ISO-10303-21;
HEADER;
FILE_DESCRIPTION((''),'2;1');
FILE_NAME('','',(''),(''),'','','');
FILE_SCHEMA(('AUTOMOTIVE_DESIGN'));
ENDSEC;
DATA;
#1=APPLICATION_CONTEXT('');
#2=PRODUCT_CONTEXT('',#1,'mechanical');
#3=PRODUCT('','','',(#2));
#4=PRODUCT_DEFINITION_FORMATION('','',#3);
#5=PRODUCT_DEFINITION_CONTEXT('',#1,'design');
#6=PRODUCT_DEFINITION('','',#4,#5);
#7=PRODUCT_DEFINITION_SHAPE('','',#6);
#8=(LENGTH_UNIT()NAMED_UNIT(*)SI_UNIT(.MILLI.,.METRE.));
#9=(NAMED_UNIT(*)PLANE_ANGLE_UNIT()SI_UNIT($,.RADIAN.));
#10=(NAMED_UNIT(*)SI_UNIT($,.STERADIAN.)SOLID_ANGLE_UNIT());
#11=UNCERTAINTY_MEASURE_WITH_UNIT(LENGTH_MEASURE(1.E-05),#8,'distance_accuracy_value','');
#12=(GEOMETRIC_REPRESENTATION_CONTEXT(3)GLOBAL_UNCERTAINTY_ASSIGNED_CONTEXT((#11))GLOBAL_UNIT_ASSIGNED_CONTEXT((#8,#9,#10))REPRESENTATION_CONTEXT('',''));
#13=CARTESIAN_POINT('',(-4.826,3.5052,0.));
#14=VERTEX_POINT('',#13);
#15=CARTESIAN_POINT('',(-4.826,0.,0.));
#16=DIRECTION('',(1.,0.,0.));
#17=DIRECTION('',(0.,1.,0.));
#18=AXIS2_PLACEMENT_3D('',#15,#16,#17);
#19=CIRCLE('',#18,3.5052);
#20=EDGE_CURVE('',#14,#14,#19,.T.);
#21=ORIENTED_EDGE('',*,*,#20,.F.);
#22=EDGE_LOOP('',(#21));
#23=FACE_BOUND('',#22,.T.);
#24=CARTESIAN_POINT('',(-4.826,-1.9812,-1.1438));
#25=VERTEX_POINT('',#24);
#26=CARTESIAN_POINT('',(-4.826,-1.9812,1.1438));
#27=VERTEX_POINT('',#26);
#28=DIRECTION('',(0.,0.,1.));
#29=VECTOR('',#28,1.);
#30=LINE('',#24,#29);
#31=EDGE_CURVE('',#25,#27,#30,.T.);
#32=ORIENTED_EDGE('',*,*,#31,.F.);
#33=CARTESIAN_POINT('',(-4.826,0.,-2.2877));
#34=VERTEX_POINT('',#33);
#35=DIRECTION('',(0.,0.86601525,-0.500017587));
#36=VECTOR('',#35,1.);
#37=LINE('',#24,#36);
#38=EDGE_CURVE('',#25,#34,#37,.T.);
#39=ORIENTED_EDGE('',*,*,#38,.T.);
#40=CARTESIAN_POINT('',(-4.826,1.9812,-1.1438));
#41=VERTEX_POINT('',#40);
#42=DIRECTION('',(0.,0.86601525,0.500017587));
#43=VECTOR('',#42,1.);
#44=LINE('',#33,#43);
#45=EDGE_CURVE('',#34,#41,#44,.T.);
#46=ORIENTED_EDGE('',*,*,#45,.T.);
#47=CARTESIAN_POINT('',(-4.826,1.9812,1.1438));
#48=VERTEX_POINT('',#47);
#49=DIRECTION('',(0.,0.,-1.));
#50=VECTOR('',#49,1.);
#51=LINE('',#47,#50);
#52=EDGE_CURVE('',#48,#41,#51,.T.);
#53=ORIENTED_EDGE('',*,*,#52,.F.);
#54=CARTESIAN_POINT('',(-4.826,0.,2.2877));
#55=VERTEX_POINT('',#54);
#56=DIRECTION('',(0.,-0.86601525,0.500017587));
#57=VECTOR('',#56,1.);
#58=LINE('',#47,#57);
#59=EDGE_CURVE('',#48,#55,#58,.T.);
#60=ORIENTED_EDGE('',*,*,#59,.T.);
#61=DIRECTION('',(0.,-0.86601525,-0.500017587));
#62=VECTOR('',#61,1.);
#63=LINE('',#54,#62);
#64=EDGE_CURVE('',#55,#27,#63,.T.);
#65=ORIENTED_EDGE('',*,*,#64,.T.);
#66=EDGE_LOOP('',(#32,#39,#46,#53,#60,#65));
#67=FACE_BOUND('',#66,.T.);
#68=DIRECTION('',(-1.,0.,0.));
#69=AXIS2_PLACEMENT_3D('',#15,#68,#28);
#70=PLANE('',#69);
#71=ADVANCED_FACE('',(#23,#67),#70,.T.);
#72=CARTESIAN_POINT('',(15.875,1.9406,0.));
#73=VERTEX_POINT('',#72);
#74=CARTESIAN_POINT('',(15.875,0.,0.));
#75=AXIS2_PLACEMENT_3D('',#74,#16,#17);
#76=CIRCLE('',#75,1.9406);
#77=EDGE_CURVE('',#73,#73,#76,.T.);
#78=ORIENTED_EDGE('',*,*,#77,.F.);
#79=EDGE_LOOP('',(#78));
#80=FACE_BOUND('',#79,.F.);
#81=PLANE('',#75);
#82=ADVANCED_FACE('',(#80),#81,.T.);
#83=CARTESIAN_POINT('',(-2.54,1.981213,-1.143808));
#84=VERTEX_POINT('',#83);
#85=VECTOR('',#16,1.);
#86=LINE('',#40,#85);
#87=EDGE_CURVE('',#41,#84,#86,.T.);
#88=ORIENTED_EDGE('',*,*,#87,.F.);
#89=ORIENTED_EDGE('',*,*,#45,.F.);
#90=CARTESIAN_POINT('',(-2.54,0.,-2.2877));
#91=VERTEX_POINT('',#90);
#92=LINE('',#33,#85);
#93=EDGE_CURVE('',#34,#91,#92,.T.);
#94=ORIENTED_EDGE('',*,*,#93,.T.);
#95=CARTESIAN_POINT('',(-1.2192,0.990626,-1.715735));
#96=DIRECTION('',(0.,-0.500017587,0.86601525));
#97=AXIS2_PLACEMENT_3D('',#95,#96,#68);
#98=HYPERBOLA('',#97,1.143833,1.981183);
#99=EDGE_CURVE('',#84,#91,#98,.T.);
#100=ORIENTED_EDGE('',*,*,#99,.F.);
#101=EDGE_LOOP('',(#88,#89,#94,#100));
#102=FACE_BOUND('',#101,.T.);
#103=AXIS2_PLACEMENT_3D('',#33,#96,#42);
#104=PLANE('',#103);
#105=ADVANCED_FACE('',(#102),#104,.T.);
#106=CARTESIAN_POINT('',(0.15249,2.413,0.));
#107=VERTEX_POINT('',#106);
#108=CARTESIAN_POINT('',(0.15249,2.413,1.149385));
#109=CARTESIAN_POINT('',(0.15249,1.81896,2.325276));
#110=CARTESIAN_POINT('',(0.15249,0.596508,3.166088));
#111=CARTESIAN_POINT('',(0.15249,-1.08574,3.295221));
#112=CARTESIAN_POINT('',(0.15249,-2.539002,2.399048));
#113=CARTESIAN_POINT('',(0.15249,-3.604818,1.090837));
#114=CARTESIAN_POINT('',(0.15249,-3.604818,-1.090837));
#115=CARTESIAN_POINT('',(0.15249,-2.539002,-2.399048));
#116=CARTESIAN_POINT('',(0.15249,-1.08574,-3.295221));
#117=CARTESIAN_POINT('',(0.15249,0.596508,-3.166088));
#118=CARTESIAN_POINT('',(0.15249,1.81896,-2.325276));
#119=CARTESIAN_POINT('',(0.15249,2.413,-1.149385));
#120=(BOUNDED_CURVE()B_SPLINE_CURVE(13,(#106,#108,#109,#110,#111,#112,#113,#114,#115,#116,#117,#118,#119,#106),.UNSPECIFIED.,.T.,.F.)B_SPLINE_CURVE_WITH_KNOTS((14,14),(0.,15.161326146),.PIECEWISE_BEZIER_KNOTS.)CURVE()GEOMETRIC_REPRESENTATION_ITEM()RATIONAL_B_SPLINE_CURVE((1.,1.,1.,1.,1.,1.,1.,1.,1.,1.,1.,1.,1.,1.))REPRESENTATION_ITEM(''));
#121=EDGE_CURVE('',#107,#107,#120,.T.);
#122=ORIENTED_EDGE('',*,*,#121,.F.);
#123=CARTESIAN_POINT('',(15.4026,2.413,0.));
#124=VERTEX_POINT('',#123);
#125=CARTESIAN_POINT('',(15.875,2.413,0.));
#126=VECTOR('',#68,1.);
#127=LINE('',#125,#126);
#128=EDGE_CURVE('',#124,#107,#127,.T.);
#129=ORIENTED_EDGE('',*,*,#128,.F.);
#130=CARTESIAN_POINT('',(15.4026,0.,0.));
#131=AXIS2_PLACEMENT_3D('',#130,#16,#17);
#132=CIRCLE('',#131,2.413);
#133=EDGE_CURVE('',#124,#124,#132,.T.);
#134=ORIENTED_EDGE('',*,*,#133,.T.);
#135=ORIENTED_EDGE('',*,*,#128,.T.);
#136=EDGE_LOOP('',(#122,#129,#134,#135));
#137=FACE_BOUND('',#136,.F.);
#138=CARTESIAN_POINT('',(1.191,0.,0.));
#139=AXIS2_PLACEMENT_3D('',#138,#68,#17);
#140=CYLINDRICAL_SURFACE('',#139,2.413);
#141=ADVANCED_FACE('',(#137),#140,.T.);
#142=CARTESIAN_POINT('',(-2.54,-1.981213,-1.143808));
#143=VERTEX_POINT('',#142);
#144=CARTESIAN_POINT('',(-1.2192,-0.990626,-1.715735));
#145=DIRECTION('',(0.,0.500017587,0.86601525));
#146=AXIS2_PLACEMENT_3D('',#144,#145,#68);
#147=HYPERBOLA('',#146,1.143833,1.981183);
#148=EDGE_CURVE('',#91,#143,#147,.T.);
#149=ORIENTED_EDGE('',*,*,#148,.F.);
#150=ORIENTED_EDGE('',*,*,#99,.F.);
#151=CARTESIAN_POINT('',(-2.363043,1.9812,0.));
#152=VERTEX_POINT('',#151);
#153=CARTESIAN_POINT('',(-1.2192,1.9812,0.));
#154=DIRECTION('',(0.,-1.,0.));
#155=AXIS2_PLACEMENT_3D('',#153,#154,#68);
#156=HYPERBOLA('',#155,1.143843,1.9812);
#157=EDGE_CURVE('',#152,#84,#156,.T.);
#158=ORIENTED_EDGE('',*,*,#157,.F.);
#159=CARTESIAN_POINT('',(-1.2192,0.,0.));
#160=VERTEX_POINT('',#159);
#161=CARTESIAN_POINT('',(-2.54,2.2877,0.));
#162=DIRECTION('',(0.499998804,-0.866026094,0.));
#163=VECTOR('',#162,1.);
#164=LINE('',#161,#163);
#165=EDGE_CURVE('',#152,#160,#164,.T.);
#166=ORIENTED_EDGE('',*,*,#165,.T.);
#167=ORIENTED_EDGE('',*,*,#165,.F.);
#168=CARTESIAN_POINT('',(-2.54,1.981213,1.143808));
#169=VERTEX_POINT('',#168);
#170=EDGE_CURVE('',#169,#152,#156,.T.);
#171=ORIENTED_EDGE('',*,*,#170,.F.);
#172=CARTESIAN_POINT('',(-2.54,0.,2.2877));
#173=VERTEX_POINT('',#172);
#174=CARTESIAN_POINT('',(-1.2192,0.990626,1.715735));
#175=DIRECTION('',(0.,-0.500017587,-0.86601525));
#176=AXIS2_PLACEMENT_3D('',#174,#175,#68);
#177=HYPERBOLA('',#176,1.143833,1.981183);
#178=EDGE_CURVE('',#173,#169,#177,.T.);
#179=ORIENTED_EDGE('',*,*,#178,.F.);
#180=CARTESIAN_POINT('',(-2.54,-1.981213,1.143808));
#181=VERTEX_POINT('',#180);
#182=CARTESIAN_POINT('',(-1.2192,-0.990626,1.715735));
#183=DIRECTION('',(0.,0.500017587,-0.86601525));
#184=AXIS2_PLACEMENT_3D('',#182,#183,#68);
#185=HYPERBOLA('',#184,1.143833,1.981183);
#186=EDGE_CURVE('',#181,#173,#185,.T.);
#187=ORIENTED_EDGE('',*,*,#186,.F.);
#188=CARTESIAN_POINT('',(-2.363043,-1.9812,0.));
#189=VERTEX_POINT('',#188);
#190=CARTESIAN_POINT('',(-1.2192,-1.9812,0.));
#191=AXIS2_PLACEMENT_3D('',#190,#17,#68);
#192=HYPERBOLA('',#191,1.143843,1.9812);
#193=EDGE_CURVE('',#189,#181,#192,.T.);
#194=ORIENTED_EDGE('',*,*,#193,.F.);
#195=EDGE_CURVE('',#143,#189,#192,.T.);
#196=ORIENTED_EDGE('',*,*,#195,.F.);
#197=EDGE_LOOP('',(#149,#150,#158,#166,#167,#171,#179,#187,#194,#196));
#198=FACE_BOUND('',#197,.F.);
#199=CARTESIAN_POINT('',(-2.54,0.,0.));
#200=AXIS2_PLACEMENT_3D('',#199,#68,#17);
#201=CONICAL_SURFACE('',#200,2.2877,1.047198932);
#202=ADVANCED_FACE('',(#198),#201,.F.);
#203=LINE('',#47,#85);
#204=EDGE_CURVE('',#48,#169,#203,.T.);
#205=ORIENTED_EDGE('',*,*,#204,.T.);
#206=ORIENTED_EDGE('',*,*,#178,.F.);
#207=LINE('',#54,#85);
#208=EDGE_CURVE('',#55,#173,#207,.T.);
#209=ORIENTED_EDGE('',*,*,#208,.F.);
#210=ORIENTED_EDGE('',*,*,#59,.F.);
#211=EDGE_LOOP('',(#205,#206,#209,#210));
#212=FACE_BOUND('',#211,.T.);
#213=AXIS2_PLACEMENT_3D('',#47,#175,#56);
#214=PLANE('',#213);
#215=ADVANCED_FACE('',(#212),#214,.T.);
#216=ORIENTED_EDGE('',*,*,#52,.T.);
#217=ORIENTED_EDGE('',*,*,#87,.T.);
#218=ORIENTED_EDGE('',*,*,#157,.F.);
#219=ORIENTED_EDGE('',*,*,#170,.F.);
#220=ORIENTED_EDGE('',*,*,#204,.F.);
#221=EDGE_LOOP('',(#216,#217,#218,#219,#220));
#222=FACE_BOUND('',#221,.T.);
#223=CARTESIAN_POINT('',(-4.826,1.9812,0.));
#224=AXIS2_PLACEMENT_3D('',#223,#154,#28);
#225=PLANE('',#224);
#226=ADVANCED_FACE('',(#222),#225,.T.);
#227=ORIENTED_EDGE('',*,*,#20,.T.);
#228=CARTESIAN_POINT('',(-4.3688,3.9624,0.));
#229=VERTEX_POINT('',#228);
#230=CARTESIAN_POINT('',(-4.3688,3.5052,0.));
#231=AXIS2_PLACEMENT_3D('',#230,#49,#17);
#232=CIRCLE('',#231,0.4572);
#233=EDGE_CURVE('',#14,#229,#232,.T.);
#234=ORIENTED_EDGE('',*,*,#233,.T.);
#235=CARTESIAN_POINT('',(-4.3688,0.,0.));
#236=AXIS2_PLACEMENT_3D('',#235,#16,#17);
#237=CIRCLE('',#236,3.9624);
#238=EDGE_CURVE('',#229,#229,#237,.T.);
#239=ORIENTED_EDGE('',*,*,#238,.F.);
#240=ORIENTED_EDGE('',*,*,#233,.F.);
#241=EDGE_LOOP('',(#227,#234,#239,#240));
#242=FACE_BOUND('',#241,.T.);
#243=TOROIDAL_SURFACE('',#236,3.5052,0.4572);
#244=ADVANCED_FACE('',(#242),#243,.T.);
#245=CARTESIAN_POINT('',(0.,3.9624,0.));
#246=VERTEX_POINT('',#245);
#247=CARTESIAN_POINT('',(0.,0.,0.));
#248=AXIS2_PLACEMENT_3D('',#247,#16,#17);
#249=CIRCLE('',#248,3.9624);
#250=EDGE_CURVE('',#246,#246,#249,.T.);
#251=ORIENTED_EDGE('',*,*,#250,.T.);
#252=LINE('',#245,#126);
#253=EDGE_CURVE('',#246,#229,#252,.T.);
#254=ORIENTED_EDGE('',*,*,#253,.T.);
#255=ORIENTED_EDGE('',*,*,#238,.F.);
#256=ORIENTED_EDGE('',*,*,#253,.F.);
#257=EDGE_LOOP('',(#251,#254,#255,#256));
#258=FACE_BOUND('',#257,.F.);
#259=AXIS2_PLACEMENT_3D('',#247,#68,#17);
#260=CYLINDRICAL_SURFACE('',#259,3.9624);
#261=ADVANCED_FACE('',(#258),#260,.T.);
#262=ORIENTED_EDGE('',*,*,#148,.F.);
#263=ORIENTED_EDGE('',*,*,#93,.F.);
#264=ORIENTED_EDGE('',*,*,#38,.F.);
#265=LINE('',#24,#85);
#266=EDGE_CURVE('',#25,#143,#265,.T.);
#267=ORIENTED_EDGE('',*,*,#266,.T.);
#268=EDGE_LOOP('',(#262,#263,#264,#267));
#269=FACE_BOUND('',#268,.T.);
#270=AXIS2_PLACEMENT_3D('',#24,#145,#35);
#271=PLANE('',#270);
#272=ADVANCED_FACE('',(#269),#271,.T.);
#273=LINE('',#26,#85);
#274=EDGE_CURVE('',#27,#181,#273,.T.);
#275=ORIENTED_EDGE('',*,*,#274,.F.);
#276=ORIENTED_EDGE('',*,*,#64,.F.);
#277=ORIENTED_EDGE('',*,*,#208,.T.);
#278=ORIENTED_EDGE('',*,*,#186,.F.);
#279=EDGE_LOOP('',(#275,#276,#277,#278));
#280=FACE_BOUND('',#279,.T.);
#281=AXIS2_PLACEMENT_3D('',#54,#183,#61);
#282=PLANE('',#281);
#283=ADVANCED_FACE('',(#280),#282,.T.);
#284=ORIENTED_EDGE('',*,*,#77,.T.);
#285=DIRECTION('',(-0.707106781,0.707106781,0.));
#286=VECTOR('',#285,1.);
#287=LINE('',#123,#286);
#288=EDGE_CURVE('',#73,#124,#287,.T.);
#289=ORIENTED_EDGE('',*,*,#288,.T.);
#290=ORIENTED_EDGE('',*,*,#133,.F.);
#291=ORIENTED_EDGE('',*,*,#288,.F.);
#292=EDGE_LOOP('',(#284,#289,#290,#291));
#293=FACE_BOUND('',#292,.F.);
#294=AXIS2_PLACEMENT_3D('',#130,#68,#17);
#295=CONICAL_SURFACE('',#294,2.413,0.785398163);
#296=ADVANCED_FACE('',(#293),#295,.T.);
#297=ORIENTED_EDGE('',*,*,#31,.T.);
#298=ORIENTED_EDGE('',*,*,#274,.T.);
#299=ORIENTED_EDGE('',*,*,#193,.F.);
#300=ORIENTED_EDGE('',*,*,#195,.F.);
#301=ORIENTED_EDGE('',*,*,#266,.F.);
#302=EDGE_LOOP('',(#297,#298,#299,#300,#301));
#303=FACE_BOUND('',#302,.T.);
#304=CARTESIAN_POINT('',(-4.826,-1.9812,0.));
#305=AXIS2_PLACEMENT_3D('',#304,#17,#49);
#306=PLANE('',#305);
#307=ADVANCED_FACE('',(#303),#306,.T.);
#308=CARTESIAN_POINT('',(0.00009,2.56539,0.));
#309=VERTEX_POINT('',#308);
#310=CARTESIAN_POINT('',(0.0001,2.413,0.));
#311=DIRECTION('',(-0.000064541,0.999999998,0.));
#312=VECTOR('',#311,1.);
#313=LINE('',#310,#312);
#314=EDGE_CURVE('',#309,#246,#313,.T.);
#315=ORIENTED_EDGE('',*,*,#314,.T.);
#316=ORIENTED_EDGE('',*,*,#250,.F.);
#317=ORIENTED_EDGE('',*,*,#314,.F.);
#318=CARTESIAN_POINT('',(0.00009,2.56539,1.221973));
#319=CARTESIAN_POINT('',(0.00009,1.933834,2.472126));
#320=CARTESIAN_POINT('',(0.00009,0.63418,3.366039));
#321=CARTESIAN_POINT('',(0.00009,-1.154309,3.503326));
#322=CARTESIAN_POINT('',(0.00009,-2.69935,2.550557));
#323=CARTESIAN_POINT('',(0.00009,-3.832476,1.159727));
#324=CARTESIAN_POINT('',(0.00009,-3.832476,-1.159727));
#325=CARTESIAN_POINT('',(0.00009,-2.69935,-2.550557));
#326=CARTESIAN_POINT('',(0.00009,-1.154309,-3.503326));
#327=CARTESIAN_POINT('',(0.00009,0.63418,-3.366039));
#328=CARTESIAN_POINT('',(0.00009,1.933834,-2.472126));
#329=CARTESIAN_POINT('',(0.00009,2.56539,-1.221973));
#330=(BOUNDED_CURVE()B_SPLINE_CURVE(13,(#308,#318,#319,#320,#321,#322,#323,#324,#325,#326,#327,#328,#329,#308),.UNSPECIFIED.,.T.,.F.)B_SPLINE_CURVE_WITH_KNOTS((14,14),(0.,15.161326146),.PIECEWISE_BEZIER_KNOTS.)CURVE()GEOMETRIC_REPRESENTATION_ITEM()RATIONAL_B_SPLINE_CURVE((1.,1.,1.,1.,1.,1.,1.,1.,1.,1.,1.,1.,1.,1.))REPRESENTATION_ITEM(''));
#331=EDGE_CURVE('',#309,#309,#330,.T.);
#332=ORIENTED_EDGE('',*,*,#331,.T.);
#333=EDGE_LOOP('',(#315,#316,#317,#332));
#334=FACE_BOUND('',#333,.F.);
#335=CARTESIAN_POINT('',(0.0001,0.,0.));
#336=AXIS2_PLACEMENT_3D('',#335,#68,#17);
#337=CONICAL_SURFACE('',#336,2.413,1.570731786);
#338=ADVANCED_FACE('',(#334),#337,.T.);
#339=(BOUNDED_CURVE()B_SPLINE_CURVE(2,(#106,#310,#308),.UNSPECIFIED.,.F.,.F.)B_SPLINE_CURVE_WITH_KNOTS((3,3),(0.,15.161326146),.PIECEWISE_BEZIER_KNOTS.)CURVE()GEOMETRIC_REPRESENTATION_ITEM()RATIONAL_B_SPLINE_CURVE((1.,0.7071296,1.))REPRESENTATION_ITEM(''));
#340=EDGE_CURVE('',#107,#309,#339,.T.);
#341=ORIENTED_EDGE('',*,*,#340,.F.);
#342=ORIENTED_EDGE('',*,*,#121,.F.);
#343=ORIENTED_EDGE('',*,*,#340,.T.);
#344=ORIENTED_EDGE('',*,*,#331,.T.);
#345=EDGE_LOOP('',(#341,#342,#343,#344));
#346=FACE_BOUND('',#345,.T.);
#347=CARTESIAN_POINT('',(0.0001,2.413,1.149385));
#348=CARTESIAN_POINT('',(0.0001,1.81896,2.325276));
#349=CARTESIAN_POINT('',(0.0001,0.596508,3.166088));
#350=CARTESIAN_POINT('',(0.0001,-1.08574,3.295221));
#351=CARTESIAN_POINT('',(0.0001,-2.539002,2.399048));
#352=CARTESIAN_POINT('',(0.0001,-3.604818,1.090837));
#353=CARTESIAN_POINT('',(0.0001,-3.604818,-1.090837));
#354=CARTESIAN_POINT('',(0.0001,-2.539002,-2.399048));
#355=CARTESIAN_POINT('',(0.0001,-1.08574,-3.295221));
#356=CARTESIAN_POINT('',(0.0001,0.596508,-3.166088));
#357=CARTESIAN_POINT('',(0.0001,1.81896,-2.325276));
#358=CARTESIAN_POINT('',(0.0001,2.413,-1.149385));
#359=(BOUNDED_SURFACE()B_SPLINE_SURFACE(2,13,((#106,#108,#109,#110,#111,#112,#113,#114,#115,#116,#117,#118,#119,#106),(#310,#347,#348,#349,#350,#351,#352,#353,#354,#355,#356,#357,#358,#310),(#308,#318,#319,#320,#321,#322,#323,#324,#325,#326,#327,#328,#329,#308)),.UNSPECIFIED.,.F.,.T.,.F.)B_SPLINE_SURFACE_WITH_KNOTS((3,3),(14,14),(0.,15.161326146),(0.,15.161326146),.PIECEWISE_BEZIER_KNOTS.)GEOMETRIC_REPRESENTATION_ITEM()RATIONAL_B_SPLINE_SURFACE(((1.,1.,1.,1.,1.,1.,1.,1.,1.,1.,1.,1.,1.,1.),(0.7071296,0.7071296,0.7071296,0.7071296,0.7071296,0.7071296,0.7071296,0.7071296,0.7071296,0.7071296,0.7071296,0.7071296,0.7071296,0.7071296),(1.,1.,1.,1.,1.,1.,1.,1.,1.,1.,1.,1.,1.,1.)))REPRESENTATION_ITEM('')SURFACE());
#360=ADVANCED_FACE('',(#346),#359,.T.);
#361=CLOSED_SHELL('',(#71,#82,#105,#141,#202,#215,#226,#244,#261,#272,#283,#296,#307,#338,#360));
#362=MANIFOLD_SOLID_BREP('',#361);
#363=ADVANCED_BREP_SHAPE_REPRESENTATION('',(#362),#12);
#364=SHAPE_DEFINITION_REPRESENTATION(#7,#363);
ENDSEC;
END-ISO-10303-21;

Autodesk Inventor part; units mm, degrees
ref_plane "YZ Plane" through (0, 0, 0) normal (1, 0, 0) x (0, 1, 0)
ref_plane "XZ Plane" through (0, 0, 0) normal (0, 1, 0) x (-1, 0, 0)
sketch "Sketch1" plane through (0, 0, 0) normal (0, 0, 1) x (1, 0, 0)
  line L0 (-1.2192, 0) -> (15.875, 0)
  line L1 (15.875, 0) -> (15.875, 2.413)
  line L2 (15.875, 2.413) -> (1.191, 2.413)
  line L3 (1.191, 2.413) -> (0.0001, 2.413)
  line L4 (0.0001, 2.413) -> (0, 2.413)
  line L5 (0, 2.413) -> (0, 3.9624)
  line L6 (0, 3.9624) -> (-4.826, 3.9624)
  line L7 (-4.826, 3.9624) -> (-4.826, 2.2877)
  line L8 (-4.826, 2.2877) -> (-2.54, 2.2877)
  line L9 (-2.54, 2.2877) -> (-1.2192, 0)
  line L10 (-8.9662, 0) -> (20.0152, 0) projected
  line L11 (0, -0.7925) -> (0, 4.7549) projected
  line L12 (1.191, 2.413) -> (0, 2.413) construction
  dimension "d1" = 14.684
  dimension "d2" = 1.1908
  dimension "d3" = 4.826
  dimension "d4" = 2.286
  dimension "d5" = 60
  dimension "d6" = 4.826
  dimension "d7" = 4.826
  dimension "d8" = 4.5754
  dimension "d9" = 7.9248
  dimension "d26" = 15.875
revolve "Body" add sketch "Sketch1" angle 360 about axis through (-1.2192, 0, 0) along (1, 0, 0)
sketch "Sketch2" plane through (-4.826, 0, 0) normal (-1, 0, 0) x (0, 0, 1)
  circle A0 centre (0, 0) radius 2.2877 projected
  line L0 (0, -5.5474) -> (0, 5.5474) projected
  line L1 (-5.5474, 0) -> (5.5474, 0) projected
  line L2 (2.2877, 0) -> (1.1438, -1.9812)
  line L3 (1.1438, -1.9812) -> (-1.1438, -1.9812)
  line L4 (-1.1438, -1.9812) -> (-2.2877, 0)
  line L5 (-2.2877, 0) -> (-1.1438, 1.9812)
  line L6 (-1.1438, 1.9812) -> (1.1438, 1.9812)
  line L7 (1.1438, 1.9812) -> (2.2877, 0)
extrude "Slot" add sketch "Sketch2" against normal up to next contours L7 A0 | A0 L2 | L6 L0 A0 | A0 L0 L3 | L0 L6 A0 | A0 L3 L0 | L4 A0 | A0 L5
fillet "Fillet1" radius 0.4572 1 edges at (-4.826, -3.9624, 0)
thread "Thread" size "10-32 UNF" class "2A" standard "ANSI Unified Screw Threads" length 14.684
chamfer "Chamfer1" distance 0.4724 distance2 0.4724 1 edges at (15.875, -2.413, 0) measured on face at (15.875, -1.2173, -0.6389)
ref_plane "Work Plane1" through (29, 0, 0) normal (0, -1, 0) x (1, 0, 0)
fillet "Fillet2" radius 0.1524 1 edges at (0.0001, -2.413, 0)
equation "\"d1\" = GEL"
equation "\"d3\" = KOH"
equation "\"d4\" = INTI"
equation "\"d6\" = GD"
equation "\"d7\" = BDM"
equation "\"d8\" = 1.1547 * SW"
equation "\"d9\" = KOD"
equation "\"d26\" = NLG"
equation "\"d30\" = R"
equation "\"d17\" = RR"
equation "\"d13\" = GEL"
equation "\"d15\" = -0.5 * SPD + 0.5 * GD"
equation "\"d16\" = GUL"
equation "\"GD\" = 4.826"
equation "\"NLG\" = 15.875"
equation "\"GEL\" = 14.68405"
equation "\"KOD\" = 7.9248"
equation "\"KOH\" = 4.826"
equation "\"INTI\" = 2.286"
equation "\"GAL\" = 1.19075"
equation "\"GUL\" = 0.47244"
equation "\"BDM\" = 4.826"
equation "\"SW\" = 3.9624"
equation "\"RR\" = 0.4572"
equation "\"SPD\" = 3.88112"
equation "\"R\" = 0.1524"
equation "\"PHH\" = 0.127"
equation "\"GD1\" = SPD"
equation "\"THREADDIA\" = 4.826"
equation "\"FAWI\" = 45deg"
equation "\"KOH1\" = 4.3434"
equation "\"NND\" = 4.826"
equation "\"TOA\" = 30deg"
equation "\"E0\" = 1.155 * SW"
properties part number "ANSI B18.3 - 10-32 UNF - 0.625 HS HCS" material "Steel, Mild"
